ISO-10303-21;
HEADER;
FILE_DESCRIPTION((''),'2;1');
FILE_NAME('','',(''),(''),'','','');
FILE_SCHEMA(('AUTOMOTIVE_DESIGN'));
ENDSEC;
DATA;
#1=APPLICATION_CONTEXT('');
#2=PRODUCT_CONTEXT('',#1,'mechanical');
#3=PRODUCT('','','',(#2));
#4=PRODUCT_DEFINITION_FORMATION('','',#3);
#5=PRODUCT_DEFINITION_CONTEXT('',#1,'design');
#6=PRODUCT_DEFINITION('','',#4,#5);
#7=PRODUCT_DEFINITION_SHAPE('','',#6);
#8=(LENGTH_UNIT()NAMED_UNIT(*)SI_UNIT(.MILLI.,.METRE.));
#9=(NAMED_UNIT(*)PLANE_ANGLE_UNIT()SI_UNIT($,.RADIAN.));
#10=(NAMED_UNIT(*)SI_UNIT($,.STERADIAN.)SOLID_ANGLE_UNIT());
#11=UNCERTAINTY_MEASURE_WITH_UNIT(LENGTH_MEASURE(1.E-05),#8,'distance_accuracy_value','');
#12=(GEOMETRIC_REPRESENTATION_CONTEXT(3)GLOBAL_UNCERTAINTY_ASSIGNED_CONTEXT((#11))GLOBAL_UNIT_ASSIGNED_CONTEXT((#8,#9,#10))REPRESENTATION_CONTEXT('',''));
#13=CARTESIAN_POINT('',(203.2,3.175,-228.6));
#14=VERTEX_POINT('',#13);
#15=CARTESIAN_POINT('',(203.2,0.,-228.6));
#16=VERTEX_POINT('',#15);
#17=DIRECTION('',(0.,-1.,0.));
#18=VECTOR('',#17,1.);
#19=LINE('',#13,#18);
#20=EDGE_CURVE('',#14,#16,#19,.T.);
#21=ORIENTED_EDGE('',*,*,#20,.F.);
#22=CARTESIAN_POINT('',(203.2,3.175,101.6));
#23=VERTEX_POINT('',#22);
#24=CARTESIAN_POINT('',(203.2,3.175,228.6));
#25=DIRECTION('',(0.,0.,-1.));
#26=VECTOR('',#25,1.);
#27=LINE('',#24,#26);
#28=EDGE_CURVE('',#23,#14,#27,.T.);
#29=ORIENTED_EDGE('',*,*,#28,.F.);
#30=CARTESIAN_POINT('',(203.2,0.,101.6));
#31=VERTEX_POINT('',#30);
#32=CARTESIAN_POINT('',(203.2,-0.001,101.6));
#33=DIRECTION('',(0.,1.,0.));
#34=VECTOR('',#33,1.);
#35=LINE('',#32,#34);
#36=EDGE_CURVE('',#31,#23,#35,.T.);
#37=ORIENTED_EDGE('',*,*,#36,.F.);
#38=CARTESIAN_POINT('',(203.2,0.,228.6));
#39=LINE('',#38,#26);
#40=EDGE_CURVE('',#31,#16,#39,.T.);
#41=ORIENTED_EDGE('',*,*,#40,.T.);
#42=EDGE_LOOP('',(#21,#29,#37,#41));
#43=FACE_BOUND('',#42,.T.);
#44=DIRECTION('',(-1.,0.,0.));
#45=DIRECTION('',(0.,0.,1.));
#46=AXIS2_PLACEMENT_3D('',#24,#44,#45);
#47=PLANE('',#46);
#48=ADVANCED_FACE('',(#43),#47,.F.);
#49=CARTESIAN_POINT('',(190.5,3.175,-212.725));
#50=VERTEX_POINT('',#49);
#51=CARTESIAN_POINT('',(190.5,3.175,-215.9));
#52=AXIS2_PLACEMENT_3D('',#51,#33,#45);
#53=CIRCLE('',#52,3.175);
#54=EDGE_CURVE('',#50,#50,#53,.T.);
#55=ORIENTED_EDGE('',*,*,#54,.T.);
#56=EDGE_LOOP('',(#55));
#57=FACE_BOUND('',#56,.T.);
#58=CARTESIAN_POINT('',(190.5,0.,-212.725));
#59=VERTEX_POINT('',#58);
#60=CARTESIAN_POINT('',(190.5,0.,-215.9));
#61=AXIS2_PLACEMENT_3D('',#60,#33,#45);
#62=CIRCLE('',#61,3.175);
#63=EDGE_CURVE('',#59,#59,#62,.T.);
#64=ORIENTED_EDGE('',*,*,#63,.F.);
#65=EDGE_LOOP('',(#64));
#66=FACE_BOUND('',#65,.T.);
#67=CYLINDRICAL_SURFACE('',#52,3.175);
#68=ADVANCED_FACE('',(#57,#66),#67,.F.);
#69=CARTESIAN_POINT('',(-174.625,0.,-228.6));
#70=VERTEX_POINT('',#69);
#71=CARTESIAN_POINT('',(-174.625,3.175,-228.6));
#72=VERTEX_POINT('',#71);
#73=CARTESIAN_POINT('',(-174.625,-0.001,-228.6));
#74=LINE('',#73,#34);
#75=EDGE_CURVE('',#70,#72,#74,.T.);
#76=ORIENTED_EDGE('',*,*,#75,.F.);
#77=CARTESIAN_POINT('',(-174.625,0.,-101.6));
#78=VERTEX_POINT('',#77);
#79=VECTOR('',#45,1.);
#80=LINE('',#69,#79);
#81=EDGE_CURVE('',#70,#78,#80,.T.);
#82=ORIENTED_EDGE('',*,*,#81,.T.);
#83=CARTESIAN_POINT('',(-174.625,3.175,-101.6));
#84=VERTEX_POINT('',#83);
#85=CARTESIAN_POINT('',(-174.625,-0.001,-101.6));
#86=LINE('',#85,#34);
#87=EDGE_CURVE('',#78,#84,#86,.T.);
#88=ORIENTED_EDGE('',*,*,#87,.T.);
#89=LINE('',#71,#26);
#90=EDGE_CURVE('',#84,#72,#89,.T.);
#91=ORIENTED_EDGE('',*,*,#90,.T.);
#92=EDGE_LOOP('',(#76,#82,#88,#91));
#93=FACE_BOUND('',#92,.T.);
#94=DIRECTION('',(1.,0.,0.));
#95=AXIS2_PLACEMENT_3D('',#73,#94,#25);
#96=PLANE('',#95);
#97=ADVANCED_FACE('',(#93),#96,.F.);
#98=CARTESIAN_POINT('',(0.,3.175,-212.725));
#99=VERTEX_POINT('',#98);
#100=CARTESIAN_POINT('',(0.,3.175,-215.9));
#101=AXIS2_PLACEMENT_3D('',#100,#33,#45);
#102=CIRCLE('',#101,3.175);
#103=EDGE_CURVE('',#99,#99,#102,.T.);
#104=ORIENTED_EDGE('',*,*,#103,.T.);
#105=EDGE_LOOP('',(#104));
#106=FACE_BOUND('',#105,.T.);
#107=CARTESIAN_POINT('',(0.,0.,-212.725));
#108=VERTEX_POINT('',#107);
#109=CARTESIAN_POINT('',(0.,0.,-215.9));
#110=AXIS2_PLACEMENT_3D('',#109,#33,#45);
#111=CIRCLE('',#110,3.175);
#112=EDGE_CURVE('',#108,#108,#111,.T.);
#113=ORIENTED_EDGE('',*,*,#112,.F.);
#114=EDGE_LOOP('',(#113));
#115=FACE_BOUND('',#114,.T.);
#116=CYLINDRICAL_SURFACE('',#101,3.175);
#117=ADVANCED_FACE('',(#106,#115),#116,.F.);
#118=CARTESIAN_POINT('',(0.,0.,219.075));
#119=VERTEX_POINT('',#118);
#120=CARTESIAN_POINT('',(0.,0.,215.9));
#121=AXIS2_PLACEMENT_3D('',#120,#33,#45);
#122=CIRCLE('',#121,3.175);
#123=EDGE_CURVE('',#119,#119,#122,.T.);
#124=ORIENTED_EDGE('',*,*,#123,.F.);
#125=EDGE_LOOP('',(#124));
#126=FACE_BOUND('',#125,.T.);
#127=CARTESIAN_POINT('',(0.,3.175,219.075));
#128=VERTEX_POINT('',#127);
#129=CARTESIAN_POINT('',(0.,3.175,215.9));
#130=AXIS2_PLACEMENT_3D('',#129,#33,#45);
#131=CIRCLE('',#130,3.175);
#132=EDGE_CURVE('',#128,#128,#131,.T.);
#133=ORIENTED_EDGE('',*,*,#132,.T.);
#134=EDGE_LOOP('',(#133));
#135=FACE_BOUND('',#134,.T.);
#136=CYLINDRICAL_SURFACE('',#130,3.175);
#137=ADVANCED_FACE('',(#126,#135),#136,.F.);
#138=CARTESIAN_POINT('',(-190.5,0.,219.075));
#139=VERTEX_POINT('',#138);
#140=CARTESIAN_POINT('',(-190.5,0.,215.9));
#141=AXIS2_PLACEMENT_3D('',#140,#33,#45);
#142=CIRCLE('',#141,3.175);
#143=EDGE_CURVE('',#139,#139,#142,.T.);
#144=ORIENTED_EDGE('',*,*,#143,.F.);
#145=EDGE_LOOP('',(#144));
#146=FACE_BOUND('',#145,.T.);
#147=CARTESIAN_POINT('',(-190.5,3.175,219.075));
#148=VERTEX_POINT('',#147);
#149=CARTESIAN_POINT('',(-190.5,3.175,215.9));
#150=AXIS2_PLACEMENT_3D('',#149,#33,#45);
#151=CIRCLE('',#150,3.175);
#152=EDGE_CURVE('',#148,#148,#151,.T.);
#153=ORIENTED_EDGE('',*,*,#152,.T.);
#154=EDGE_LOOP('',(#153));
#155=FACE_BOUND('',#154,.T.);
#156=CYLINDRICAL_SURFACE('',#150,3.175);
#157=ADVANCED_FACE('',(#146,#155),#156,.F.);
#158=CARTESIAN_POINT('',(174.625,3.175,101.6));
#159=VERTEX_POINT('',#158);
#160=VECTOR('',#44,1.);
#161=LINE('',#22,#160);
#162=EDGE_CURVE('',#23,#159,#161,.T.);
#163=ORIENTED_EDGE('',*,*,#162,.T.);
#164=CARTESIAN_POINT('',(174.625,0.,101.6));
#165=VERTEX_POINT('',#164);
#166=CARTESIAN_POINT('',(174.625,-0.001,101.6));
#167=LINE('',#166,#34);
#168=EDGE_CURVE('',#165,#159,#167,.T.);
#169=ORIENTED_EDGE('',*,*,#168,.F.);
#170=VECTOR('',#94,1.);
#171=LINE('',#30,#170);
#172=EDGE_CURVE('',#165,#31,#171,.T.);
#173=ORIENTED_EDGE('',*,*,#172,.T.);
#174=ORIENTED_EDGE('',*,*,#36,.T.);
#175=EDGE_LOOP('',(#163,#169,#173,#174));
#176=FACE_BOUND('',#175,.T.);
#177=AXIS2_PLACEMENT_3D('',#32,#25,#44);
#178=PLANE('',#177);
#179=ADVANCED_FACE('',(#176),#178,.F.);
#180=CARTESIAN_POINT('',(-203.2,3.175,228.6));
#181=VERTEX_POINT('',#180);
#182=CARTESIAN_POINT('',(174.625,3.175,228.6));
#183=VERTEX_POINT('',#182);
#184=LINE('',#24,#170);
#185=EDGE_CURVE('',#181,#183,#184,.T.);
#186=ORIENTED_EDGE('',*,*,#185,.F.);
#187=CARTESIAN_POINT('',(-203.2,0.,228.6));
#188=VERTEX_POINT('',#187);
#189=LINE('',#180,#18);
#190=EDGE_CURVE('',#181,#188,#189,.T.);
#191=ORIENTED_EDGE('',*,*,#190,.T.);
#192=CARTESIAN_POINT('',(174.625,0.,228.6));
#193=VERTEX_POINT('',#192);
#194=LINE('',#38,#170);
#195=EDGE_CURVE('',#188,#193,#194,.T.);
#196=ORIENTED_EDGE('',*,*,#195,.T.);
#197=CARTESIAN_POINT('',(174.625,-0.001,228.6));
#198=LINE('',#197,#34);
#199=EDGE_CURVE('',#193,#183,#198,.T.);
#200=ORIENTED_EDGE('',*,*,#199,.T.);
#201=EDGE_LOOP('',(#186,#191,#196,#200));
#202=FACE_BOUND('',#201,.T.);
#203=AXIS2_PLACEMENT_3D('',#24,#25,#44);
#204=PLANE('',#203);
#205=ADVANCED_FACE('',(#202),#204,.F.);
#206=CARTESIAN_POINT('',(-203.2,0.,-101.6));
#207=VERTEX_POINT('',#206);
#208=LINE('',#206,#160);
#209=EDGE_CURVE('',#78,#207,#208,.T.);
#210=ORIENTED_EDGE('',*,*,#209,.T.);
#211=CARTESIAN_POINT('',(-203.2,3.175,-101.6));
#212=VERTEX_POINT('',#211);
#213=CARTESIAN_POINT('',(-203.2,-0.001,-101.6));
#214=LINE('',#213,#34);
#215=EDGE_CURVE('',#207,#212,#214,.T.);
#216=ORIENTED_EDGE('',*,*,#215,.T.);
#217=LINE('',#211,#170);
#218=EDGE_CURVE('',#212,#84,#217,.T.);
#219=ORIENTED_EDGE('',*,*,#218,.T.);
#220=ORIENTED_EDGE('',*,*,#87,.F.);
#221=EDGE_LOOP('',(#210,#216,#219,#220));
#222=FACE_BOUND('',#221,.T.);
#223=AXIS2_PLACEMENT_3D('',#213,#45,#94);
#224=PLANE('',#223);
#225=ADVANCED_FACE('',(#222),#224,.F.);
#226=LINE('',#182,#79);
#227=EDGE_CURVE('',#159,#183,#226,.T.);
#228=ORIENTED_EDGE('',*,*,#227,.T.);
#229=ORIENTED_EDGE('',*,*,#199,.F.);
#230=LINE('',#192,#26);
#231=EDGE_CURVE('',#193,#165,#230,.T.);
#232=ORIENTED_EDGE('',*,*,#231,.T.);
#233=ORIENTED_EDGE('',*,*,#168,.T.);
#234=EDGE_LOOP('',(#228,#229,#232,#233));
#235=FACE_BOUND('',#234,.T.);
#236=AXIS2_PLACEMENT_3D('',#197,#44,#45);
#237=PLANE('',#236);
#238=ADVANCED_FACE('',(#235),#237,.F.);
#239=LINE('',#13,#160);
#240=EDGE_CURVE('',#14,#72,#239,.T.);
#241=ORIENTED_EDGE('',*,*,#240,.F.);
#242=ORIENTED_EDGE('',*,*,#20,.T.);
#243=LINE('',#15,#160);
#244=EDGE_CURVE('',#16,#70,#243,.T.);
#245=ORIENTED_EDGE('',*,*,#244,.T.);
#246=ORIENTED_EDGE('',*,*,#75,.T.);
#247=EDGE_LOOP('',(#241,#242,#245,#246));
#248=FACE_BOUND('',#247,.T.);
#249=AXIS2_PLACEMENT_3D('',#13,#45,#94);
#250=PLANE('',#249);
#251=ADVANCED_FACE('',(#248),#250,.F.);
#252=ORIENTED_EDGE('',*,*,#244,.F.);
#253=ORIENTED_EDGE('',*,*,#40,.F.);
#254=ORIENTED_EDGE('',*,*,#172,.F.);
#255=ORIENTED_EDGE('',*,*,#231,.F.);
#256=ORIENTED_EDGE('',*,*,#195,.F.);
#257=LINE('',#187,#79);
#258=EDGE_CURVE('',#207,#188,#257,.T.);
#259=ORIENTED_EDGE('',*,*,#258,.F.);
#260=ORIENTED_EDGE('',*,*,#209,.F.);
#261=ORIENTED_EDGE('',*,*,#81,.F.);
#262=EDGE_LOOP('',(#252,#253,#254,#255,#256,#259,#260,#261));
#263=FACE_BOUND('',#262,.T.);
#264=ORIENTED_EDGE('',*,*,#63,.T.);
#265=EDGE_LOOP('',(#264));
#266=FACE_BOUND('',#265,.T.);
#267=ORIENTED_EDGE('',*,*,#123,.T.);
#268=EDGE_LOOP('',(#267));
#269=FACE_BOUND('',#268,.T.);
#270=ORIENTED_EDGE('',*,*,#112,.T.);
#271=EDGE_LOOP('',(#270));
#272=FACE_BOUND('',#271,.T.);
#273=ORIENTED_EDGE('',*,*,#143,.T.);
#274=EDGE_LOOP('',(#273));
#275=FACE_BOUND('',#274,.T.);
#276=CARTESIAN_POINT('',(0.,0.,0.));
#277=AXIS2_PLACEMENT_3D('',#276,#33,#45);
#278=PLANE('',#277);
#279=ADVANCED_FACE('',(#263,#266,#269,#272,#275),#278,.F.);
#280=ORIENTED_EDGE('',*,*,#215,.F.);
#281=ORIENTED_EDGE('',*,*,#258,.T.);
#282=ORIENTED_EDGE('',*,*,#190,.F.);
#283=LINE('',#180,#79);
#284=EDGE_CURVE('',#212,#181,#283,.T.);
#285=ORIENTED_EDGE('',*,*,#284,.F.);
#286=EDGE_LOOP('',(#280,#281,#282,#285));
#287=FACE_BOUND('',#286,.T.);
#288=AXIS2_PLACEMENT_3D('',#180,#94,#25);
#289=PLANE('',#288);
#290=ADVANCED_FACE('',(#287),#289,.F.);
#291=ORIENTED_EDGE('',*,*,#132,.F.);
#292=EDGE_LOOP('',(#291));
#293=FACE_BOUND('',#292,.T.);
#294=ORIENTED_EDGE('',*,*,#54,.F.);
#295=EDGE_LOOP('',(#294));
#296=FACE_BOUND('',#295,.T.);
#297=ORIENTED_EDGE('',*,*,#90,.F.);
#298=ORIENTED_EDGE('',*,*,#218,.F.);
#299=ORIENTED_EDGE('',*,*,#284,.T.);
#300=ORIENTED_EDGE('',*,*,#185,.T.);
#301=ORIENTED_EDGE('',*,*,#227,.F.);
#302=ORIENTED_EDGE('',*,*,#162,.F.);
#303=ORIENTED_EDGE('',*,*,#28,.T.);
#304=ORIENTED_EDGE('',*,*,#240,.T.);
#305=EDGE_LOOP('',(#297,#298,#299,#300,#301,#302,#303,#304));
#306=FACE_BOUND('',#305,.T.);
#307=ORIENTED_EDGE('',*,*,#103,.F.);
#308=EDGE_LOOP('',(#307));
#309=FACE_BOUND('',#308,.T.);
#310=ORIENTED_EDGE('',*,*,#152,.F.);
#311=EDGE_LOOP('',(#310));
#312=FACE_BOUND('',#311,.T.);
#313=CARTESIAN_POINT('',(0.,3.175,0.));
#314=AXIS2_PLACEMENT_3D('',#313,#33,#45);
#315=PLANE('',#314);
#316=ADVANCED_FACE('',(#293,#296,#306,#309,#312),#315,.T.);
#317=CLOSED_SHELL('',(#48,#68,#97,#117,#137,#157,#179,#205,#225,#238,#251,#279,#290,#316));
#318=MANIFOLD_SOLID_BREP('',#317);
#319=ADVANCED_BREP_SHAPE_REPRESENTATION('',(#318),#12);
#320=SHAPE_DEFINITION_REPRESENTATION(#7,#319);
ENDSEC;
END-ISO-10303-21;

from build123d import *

# Parameters (mm, degrees)
SKETCH1_W                   = 406.4
SKETCH1_H                   = 457.2
BOSS_EXTRUDE1_DEPTH         = 3.175
CUT_EXTRUDE1_REACH          = 307.873
SKETCH2_W                   = 28.575
SKETCH2_H                   = 127
F_1_4_0_25_DIAMETER_HOLE1_D = 6.35


with BuildPart() as part:
    # Sketch1 → Boss-Extrude1 (new body)
    with BuildSketch(Plane(origin=(0, 0, 0), x_dir=(1, 0, 0), z_dir=(0, 1, 0))):
        Rectangle(SKETCH1_W, SKETCH1_H)
    extrude(amount=BOSS_EXTRUDE1_DEPTH)

    # Sketch2 → Cut-Extrude1 (cut, up to next)
    with BuildSketch(Plane(origin=(0, 3.175, 0), x_dir=(1, 0, 0), z_dir=(0, 1, 0)), mode=Mode.PRIVATE) as cut_extrude1_sk1:
        with Locations((-188.9125, 165.1)):
            Rectangle(SKETCH2_W, SKETCH2_H)
    cut_extrude1_tool1 = extrude(cut_extrude1_sk1.sketch, amount=-CUT_EXTRUDE1_REACH, mode=Mode.PRIVATE) & part.part
    # Sketch2 → Cut-Extrude1 (cut, up to next)
    with BuildSketch(Plane(origin=(0, 3.175, 0), x_dir=(1, 0, 0), z_dir=(0, 1, 0)), mode=Mode.PRIVATE) as cut_extrude1_sk2:
        with Locations((188.9125, -165.1)):
            Rectangle(SKETCH2_W, SKETCH2_H)
    cut_extrude1_tool2 = extrude(cut_extrude1_sk2.sketch, amount=-CUT_EXTRUDE1_REACH, mode=Mode.PRIVATE) & part.part
    add(cut_extrude1_tool1.solids().sort_by_distance((-188.9125, 3.175, -165.1))[0], mode=Mode.SUBTRACT)
    add(cut_extrude1_tool2.solids().sort_by_distance((188.9125, 3.175, 165.1))[0], mode=Mode.SUBTRACT)

    # 1/4 (0.25) Diameter Hole1 (through all)
    with Locations(Plane(origin=(0, 3.175, 0), x_dir=(1, 0, 0), z_dir=(0, 1, 0))):
        with Locations((-190.5, -215.9), (190.5, 215.9), (0, 215.9), (0, -215.9)):
            Hole(F_1_4_0_25_DIAMETER_HOLE1_D / 2)


solid = part.part
